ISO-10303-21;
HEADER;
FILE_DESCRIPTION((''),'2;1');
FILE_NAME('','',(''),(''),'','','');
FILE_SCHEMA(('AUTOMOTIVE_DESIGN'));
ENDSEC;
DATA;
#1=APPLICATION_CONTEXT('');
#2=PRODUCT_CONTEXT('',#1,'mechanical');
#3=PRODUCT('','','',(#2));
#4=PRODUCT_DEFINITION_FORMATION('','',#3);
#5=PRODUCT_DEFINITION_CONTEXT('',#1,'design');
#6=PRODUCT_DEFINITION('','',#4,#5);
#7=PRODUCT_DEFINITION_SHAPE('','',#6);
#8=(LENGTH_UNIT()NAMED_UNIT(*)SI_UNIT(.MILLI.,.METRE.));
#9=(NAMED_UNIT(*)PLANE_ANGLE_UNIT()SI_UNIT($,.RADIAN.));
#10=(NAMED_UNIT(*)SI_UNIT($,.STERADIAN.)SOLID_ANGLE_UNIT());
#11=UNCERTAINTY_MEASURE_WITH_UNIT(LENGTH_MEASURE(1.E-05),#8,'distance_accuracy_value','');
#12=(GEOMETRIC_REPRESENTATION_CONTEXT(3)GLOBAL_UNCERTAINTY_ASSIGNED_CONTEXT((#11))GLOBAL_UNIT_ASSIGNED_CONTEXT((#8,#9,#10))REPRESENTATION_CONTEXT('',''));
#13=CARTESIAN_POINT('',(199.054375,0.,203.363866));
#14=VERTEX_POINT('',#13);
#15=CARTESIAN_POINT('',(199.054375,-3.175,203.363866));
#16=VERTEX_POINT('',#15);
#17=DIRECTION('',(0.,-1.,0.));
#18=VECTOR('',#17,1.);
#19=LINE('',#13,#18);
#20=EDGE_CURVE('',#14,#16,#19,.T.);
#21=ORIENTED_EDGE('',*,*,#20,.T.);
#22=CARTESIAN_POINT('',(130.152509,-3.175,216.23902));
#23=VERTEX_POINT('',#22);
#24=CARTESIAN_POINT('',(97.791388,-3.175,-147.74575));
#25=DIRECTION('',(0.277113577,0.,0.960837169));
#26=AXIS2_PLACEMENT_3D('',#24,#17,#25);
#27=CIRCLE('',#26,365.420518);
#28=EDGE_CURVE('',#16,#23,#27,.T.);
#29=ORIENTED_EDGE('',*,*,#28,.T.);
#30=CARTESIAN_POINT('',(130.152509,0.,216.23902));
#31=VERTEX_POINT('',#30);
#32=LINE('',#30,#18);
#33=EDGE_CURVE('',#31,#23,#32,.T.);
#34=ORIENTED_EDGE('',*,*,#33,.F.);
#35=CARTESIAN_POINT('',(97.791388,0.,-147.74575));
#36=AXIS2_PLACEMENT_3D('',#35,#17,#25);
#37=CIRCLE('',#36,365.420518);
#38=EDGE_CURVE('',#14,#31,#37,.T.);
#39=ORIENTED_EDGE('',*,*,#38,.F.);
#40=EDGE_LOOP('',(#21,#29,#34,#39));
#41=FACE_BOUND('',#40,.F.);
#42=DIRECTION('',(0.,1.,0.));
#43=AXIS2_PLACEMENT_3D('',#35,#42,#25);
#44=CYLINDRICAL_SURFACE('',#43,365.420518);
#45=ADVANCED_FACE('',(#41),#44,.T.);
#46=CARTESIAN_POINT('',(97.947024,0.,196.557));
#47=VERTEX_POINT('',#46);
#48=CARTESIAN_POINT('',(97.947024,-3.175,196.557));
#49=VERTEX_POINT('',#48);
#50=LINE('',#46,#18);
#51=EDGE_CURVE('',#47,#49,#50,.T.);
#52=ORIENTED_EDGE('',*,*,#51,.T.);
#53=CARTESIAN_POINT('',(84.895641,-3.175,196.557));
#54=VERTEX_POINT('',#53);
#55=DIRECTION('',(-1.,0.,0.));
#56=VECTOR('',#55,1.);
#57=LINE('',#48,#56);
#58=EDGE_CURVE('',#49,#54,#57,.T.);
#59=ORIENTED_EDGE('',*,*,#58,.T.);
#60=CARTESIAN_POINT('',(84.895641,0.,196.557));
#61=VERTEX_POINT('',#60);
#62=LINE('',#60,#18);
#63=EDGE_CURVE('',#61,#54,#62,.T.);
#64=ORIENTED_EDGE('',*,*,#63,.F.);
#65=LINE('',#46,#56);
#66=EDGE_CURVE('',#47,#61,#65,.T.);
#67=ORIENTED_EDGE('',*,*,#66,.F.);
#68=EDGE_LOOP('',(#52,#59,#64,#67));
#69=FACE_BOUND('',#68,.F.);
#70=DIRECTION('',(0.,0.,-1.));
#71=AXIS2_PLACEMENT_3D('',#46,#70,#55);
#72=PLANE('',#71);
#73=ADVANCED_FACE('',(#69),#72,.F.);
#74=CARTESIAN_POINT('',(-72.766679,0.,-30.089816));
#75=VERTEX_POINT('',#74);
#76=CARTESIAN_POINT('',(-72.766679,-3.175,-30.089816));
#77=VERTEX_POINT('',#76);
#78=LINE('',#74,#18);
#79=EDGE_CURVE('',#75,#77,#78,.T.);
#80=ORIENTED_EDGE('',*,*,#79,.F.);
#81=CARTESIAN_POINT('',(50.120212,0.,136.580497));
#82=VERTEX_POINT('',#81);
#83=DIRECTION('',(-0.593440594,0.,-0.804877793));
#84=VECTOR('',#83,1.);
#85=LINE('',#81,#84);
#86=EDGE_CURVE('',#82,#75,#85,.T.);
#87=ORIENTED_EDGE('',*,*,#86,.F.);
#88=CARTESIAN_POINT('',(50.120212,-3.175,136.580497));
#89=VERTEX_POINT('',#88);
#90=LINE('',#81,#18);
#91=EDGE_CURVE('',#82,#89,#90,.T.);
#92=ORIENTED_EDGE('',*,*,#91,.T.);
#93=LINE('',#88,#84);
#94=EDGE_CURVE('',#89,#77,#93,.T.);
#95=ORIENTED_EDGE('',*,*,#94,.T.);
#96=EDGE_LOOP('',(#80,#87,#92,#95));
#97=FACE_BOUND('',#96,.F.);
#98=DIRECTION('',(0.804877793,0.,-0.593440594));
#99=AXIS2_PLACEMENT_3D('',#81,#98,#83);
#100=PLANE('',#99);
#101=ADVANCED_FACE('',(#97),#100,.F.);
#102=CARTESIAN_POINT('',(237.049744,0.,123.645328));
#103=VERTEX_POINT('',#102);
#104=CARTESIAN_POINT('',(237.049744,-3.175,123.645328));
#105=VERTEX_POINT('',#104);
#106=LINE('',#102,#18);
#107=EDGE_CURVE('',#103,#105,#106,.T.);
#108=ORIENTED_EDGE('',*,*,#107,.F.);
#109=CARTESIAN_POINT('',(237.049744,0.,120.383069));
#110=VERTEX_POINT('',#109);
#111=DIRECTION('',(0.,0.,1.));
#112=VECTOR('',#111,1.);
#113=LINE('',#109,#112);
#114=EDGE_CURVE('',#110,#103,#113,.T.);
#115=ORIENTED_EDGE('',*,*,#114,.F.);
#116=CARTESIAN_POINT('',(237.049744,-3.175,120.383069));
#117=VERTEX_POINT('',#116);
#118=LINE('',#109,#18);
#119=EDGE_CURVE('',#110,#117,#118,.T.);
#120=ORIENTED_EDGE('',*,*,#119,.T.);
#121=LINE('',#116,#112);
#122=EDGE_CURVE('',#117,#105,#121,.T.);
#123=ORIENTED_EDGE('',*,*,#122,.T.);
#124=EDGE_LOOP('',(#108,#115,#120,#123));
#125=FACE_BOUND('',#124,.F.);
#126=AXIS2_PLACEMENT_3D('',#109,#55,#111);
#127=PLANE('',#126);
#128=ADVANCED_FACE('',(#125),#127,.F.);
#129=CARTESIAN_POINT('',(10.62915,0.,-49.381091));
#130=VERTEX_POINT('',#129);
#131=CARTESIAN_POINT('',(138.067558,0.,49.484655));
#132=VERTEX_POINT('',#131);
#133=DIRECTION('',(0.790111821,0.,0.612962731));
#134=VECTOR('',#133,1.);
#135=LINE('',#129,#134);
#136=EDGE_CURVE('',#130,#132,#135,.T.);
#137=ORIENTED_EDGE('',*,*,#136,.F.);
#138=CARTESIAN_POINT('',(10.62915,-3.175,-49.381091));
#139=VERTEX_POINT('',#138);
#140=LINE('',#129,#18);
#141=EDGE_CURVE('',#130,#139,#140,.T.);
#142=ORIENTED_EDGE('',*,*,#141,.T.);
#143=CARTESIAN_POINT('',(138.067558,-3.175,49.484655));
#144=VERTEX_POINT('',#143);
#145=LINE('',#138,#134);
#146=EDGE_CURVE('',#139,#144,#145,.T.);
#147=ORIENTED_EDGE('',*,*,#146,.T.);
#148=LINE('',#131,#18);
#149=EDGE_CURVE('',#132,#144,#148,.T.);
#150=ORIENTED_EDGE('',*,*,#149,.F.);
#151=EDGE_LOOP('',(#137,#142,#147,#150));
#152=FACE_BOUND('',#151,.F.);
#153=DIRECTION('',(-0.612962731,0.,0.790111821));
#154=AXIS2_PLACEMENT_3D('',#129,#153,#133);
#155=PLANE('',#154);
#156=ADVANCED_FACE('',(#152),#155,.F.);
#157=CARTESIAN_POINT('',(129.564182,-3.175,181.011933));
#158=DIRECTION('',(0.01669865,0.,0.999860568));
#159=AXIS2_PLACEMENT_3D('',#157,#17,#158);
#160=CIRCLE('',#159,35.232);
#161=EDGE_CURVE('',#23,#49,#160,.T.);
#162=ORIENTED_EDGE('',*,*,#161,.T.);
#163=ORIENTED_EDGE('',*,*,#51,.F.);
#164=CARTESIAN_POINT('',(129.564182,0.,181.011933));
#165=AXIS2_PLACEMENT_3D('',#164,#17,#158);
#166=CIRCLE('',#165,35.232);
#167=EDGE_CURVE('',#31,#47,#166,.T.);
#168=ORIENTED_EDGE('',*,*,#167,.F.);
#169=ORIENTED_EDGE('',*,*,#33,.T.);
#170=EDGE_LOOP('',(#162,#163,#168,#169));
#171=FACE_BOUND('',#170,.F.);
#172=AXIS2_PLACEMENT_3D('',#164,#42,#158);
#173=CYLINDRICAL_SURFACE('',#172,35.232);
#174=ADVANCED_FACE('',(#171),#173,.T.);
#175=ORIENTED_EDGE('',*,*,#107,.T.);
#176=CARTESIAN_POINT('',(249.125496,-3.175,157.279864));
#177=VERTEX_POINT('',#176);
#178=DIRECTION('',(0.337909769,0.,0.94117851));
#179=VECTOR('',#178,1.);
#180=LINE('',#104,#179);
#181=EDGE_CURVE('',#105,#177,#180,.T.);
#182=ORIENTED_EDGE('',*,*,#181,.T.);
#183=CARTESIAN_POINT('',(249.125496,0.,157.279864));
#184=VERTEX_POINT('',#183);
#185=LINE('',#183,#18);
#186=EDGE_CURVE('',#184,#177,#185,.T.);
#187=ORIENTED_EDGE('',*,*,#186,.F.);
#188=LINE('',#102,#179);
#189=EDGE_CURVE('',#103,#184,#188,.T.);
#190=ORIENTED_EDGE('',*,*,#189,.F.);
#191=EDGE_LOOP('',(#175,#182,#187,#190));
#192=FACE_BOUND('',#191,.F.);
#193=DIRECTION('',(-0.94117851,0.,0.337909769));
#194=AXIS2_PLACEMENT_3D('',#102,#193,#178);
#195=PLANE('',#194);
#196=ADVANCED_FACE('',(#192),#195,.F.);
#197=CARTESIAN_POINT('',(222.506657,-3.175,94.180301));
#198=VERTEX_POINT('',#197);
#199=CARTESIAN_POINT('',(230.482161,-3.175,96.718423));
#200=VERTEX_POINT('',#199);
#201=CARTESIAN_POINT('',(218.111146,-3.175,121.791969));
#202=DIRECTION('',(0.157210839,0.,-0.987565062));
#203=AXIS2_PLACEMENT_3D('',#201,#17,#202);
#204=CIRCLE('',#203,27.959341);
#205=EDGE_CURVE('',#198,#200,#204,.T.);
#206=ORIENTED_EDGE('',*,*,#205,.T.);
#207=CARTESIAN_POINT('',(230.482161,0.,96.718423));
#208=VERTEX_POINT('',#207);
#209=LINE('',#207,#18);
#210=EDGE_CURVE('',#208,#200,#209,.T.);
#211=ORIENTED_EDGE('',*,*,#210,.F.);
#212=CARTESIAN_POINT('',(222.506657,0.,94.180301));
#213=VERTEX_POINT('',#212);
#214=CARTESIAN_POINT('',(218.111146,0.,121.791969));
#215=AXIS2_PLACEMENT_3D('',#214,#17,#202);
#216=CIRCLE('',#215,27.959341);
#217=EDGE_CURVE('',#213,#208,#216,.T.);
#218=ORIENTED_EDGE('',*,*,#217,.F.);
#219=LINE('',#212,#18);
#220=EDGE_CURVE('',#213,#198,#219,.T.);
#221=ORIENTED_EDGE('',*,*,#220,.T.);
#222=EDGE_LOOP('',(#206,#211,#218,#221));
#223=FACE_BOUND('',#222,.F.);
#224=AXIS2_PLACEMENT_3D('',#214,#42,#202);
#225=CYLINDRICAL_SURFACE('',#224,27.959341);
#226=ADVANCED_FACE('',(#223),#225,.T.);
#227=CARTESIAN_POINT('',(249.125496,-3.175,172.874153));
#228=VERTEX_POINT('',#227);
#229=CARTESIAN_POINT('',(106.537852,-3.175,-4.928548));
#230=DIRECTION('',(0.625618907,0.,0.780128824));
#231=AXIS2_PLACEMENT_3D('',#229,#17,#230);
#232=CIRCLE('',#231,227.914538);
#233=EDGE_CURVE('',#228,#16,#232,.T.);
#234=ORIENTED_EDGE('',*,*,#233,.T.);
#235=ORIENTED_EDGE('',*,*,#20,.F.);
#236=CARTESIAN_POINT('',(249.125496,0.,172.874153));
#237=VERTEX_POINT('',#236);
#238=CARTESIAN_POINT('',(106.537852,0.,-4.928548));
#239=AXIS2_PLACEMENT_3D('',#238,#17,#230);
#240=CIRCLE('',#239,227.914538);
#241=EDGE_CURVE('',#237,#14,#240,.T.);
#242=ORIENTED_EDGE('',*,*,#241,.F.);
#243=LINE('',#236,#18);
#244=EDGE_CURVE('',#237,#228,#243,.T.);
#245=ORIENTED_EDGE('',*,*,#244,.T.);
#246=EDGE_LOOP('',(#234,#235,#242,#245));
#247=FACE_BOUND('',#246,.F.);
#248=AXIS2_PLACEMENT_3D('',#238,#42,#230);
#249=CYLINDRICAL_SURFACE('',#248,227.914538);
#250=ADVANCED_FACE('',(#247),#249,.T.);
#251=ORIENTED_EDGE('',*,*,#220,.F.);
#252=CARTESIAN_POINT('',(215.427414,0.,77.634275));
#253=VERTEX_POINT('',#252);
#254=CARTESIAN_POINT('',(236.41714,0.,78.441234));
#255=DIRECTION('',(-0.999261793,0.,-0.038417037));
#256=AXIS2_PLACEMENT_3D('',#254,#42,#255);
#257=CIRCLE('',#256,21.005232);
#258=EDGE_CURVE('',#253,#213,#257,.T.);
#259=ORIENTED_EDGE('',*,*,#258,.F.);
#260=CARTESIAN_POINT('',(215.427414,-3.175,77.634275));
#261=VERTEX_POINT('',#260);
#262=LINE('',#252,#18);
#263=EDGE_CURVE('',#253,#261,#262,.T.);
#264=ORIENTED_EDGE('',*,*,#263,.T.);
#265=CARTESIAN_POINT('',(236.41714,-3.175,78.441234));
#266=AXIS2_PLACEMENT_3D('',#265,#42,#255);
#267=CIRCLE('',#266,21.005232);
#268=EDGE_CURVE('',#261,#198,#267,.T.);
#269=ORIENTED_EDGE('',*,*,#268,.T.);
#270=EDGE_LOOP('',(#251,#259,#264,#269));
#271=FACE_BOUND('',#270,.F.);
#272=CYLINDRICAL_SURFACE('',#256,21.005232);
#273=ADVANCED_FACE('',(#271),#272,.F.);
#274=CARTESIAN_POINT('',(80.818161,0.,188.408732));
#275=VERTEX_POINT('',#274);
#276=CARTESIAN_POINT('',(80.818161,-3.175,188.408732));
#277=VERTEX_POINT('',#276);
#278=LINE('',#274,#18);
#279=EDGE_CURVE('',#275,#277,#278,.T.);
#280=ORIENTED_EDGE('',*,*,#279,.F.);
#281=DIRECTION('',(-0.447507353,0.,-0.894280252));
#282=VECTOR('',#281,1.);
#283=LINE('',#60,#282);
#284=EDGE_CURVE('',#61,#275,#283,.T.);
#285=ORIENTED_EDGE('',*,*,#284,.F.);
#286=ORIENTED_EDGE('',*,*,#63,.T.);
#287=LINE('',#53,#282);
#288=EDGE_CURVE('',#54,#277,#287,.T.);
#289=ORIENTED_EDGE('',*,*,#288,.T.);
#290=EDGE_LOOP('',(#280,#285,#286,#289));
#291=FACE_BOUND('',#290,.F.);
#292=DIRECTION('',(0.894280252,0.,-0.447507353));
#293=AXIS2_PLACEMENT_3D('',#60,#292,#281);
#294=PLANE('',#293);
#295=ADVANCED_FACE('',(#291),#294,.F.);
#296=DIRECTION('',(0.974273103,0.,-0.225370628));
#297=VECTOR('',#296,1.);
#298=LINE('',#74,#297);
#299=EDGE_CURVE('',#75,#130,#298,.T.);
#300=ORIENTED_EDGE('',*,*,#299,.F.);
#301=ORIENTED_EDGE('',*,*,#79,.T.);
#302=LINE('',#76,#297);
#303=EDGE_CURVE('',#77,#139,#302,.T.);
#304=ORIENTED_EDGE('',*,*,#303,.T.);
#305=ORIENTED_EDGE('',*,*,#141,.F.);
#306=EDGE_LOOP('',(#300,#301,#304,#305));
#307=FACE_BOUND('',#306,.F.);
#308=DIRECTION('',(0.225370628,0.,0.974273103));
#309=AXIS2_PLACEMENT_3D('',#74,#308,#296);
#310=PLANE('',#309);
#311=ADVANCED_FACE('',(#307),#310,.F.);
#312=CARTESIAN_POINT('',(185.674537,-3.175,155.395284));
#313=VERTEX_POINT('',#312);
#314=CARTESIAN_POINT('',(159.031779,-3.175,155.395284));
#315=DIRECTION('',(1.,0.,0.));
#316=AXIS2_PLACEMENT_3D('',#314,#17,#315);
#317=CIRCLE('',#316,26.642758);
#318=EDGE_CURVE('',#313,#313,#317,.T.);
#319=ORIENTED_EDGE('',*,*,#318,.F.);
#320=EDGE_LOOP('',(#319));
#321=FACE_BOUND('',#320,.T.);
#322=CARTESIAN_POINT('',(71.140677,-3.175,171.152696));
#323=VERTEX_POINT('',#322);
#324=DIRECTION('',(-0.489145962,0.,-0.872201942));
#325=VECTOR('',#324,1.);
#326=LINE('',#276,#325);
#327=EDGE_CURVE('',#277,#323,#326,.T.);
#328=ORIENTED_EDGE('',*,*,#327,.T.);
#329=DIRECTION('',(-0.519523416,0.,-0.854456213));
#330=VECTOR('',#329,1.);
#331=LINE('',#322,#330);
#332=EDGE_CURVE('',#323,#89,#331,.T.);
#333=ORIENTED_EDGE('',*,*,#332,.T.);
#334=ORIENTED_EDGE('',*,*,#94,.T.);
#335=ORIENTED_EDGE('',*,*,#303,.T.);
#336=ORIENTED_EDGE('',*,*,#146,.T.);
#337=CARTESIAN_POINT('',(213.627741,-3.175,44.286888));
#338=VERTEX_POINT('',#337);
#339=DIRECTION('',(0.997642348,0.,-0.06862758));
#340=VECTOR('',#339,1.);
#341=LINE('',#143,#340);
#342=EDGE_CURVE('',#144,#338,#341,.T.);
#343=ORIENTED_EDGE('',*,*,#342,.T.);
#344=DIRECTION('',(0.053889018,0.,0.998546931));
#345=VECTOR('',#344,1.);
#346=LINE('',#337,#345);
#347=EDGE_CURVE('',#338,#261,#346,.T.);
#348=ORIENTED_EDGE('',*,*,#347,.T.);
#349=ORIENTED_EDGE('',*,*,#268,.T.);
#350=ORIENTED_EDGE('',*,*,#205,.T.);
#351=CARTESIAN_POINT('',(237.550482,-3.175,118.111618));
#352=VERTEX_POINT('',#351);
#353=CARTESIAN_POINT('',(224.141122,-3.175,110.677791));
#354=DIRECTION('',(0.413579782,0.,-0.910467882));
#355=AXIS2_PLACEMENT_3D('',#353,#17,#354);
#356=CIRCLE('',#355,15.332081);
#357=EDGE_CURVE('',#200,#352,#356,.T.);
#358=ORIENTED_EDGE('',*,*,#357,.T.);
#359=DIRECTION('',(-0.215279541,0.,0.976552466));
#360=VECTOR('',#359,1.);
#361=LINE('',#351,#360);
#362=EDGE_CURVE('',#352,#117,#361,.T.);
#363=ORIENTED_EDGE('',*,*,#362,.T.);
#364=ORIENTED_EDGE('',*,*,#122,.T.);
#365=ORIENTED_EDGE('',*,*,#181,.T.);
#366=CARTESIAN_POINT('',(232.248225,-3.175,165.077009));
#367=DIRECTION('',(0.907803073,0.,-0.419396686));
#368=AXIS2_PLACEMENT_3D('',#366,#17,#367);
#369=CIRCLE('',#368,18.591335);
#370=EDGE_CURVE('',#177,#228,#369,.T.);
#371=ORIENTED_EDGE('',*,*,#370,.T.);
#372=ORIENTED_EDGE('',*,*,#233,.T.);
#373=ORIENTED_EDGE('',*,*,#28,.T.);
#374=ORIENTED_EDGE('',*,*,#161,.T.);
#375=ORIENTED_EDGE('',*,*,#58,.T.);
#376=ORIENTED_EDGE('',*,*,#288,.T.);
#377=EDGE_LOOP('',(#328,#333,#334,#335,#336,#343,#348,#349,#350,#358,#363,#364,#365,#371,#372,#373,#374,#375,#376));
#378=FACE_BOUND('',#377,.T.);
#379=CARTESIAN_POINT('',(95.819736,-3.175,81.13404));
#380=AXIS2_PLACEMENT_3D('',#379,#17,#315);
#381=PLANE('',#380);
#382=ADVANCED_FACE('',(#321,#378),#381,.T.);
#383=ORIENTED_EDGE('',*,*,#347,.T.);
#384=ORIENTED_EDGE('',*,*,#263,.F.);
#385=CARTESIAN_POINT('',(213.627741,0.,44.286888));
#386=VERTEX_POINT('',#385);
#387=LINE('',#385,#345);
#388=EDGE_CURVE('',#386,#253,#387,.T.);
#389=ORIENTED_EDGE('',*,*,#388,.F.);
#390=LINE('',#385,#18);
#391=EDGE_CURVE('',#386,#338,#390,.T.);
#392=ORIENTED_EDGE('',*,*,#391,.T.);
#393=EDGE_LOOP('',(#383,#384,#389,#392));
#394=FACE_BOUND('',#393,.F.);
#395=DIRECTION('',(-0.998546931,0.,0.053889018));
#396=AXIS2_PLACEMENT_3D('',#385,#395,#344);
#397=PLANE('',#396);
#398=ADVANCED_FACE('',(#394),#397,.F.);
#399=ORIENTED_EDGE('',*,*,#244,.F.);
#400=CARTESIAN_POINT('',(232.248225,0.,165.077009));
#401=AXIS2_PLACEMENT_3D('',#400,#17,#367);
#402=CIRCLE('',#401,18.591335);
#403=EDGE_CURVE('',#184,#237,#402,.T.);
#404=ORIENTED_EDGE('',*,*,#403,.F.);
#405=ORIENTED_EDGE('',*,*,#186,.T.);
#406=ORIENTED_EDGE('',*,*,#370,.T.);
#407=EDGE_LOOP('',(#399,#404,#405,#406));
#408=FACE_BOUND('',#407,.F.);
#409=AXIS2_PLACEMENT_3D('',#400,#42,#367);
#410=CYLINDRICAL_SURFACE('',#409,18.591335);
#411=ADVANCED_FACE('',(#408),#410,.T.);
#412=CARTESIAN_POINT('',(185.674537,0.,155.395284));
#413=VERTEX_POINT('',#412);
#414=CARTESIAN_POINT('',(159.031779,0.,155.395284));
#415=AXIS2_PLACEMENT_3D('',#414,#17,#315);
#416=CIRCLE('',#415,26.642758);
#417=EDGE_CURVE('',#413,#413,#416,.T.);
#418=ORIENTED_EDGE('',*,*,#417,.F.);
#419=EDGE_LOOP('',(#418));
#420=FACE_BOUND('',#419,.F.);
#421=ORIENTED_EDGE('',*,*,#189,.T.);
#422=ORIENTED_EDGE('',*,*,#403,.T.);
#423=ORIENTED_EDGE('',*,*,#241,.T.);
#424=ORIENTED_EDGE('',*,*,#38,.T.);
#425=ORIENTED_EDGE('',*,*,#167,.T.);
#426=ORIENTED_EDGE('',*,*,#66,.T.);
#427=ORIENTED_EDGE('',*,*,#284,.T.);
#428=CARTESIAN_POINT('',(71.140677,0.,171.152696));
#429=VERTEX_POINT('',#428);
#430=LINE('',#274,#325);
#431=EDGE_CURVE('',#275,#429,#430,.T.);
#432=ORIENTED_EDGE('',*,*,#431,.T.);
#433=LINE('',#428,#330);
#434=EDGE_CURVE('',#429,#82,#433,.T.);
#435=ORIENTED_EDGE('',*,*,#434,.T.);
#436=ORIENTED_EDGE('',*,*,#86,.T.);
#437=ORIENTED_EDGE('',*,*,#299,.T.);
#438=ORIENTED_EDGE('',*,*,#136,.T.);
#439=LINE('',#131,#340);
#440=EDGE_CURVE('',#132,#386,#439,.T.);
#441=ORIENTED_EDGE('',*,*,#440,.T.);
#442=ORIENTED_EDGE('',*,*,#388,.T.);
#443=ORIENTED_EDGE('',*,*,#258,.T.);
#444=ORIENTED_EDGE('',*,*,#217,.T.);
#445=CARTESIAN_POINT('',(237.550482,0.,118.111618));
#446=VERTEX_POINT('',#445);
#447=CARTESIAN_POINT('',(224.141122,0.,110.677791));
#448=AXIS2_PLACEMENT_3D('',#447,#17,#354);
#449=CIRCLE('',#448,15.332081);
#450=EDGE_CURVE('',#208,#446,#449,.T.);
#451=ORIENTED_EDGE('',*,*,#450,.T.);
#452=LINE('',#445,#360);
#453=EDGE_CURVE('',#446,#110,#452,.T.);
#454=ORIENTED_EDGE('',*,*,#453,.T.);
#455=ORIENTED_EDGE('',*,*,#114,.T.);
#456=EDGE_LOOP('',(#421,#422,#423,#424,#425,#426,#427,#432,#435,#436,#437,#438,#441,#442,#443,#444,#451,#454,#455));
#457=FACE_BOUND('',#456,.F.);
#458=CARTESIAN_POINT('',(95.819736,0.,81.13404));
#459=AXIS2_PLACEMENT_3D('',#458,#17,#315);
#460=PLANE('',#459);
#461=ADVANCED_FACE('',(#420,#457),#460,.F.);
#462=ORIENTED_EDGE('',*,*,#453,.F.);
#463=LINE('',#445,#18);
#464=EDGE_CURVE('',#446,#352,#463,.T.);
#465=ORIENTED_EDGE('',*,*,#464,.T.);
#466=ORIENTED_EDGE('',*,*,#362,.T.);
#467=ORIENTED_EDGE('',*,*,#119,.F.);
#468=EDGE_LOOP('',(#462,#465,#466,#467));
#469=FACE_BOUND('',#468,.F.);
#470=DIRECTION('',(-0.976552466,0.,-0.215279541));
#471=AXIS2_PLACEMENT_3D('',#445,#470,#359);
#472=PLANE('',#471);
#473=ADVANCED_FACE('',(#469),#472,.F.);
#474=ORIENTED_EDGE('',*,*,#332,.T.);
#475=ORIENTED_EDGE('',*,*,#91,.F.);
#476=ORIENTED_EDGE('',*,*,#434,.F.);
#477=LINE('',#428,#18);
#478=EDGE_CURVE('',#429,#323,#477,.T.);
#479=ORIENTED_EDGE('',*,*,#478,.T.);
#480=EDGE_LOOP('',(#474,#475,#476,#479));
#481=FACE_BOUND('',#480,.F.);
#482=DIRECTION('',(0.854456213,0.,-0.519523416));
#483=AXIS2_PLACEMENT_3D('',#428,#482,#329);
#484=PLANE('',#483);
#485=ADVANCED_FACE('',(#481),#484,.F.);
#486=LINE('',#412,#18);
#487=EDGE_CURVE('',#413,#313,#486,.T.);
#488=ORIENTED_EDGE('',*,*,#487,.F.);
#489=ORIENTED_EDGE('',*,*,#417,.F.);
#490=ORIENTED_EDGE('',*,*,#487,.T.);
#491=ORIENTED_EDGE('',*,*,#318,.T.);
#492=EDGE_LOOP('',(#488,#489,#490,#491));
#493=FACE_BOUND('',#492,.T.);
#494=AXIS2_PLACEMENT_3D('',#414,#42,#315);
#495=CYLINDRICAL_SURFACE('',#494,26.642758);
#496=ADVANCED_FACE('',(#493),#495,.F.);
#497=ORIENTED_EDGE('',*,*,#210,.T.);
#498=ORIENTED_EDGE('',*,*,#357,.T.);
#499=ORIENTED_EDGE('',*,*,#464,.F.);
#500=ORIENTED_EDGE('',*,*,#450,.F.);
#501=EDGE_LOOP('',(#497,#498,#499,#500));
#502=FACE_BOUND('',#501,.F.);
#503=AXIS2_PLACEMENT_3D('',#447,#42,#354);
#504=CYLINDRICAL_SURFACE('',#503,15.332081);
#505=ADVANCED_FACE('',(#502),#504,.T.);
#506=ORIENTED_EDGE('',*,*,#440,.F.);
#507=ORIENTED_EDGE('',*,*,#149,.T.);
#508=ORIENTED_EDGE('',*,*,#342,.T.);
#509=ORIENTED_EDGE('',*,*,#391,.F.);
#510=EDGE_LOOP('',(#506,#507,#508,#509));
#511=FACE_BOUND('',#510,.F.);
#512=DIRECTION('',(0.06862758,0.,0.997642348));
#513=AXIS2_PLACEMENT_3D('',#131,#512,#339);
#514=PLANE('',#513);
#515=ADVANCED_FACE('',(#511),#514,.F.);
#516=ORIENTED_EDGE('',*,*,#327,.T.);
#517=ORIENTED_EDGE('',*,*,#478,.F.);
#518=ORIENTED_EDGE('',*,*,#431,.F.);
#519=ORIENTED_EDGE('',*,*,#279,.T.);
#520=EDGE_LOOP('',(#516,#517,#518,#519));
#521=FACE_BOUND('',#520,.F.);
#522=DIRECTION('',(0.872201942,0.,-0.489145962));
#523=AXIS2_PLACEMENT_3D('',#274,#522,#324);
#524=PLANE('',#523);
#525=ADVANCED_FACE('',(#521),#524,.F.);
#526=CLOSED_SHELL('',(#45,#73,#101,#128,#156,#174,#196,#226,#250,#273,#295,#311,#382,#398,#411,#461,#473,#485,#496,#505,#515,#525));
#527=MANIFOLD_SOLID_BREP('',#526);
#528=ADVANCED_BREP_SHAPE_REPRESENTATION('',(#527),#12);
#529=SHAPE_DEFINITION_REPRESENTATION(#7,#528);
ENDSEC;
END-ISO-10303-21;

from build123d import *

# Parameters (mm, degrees)
F0_R     = 26.642758
F1_DEPTH = 3.175


with BuildPart() as f1:
    # F0 (on Front) → F1 (new body)
    with BuildSketch(Plane.XZ):
        with BuildLine():
            Line((-72.766679, -30.089816), (10.62915, -49.381091))
            Line((10.62915, -49.381091), (138.067558, 49.484655))
            Line((138.067558, 49.484655), (213.627741, 44.286888))
            Line((213.627741, 44.286888), (215.427414, 77.634275))
            ThreePointArc((215.427414, 77.634275), (217.105255, 86.703853), (222.506657, 94.180301))
            ThreePointArc((222.506657, 94.180301), (226.58992, 95.149238), (230.482161, 96.718423))
            ThreePointArc((230.482161, 96.718423), (238.69917, 105.867805), (237.550482, 118.111618))
            Line((237.550482, 118.111618), (237.049744, 120.383069))
            Line((237.049744, 120.383069), (237.049744, 123.645328))
            Line((237.049744, 123.645328), (249.125496, 157.279864))
            ThreePointArc((249.125496, 157.279864), (250.83956, 165.077008), (249.125496, 172.874153))
            ThreePointArc((249.125496, 172.874153), (225.074336, 189.735621), (199.054375, 203.363866))
            ThreePointArc((199.054375, 203.363866), (164.912867, 211.457343), (130.152509, 216.23902))
            ThreePointArc((130.152509, 216.23902), (111.19185, 211.074388), (97.947024, 196.557))
            Line((97.947024, 196.557), (84.895641, 196.557))
            Line((84.895641, 196.557), (80.818161, 188.408732))
            Line((80.818161, 188.408732), (71.140677, 171.152696))
            Line((71.140677, 171.152696), (50.120212, 136.580497))
            Line((50.120212, 136.580497), (-72.766679, -30.089816))
        make_face()
        with Locations((159.031779, 155.395284)):
            Circle(F0_R, mode=Mode.SUBTRACT)
    extrude(amount=F1_DEPTH)


solid = f1.part
